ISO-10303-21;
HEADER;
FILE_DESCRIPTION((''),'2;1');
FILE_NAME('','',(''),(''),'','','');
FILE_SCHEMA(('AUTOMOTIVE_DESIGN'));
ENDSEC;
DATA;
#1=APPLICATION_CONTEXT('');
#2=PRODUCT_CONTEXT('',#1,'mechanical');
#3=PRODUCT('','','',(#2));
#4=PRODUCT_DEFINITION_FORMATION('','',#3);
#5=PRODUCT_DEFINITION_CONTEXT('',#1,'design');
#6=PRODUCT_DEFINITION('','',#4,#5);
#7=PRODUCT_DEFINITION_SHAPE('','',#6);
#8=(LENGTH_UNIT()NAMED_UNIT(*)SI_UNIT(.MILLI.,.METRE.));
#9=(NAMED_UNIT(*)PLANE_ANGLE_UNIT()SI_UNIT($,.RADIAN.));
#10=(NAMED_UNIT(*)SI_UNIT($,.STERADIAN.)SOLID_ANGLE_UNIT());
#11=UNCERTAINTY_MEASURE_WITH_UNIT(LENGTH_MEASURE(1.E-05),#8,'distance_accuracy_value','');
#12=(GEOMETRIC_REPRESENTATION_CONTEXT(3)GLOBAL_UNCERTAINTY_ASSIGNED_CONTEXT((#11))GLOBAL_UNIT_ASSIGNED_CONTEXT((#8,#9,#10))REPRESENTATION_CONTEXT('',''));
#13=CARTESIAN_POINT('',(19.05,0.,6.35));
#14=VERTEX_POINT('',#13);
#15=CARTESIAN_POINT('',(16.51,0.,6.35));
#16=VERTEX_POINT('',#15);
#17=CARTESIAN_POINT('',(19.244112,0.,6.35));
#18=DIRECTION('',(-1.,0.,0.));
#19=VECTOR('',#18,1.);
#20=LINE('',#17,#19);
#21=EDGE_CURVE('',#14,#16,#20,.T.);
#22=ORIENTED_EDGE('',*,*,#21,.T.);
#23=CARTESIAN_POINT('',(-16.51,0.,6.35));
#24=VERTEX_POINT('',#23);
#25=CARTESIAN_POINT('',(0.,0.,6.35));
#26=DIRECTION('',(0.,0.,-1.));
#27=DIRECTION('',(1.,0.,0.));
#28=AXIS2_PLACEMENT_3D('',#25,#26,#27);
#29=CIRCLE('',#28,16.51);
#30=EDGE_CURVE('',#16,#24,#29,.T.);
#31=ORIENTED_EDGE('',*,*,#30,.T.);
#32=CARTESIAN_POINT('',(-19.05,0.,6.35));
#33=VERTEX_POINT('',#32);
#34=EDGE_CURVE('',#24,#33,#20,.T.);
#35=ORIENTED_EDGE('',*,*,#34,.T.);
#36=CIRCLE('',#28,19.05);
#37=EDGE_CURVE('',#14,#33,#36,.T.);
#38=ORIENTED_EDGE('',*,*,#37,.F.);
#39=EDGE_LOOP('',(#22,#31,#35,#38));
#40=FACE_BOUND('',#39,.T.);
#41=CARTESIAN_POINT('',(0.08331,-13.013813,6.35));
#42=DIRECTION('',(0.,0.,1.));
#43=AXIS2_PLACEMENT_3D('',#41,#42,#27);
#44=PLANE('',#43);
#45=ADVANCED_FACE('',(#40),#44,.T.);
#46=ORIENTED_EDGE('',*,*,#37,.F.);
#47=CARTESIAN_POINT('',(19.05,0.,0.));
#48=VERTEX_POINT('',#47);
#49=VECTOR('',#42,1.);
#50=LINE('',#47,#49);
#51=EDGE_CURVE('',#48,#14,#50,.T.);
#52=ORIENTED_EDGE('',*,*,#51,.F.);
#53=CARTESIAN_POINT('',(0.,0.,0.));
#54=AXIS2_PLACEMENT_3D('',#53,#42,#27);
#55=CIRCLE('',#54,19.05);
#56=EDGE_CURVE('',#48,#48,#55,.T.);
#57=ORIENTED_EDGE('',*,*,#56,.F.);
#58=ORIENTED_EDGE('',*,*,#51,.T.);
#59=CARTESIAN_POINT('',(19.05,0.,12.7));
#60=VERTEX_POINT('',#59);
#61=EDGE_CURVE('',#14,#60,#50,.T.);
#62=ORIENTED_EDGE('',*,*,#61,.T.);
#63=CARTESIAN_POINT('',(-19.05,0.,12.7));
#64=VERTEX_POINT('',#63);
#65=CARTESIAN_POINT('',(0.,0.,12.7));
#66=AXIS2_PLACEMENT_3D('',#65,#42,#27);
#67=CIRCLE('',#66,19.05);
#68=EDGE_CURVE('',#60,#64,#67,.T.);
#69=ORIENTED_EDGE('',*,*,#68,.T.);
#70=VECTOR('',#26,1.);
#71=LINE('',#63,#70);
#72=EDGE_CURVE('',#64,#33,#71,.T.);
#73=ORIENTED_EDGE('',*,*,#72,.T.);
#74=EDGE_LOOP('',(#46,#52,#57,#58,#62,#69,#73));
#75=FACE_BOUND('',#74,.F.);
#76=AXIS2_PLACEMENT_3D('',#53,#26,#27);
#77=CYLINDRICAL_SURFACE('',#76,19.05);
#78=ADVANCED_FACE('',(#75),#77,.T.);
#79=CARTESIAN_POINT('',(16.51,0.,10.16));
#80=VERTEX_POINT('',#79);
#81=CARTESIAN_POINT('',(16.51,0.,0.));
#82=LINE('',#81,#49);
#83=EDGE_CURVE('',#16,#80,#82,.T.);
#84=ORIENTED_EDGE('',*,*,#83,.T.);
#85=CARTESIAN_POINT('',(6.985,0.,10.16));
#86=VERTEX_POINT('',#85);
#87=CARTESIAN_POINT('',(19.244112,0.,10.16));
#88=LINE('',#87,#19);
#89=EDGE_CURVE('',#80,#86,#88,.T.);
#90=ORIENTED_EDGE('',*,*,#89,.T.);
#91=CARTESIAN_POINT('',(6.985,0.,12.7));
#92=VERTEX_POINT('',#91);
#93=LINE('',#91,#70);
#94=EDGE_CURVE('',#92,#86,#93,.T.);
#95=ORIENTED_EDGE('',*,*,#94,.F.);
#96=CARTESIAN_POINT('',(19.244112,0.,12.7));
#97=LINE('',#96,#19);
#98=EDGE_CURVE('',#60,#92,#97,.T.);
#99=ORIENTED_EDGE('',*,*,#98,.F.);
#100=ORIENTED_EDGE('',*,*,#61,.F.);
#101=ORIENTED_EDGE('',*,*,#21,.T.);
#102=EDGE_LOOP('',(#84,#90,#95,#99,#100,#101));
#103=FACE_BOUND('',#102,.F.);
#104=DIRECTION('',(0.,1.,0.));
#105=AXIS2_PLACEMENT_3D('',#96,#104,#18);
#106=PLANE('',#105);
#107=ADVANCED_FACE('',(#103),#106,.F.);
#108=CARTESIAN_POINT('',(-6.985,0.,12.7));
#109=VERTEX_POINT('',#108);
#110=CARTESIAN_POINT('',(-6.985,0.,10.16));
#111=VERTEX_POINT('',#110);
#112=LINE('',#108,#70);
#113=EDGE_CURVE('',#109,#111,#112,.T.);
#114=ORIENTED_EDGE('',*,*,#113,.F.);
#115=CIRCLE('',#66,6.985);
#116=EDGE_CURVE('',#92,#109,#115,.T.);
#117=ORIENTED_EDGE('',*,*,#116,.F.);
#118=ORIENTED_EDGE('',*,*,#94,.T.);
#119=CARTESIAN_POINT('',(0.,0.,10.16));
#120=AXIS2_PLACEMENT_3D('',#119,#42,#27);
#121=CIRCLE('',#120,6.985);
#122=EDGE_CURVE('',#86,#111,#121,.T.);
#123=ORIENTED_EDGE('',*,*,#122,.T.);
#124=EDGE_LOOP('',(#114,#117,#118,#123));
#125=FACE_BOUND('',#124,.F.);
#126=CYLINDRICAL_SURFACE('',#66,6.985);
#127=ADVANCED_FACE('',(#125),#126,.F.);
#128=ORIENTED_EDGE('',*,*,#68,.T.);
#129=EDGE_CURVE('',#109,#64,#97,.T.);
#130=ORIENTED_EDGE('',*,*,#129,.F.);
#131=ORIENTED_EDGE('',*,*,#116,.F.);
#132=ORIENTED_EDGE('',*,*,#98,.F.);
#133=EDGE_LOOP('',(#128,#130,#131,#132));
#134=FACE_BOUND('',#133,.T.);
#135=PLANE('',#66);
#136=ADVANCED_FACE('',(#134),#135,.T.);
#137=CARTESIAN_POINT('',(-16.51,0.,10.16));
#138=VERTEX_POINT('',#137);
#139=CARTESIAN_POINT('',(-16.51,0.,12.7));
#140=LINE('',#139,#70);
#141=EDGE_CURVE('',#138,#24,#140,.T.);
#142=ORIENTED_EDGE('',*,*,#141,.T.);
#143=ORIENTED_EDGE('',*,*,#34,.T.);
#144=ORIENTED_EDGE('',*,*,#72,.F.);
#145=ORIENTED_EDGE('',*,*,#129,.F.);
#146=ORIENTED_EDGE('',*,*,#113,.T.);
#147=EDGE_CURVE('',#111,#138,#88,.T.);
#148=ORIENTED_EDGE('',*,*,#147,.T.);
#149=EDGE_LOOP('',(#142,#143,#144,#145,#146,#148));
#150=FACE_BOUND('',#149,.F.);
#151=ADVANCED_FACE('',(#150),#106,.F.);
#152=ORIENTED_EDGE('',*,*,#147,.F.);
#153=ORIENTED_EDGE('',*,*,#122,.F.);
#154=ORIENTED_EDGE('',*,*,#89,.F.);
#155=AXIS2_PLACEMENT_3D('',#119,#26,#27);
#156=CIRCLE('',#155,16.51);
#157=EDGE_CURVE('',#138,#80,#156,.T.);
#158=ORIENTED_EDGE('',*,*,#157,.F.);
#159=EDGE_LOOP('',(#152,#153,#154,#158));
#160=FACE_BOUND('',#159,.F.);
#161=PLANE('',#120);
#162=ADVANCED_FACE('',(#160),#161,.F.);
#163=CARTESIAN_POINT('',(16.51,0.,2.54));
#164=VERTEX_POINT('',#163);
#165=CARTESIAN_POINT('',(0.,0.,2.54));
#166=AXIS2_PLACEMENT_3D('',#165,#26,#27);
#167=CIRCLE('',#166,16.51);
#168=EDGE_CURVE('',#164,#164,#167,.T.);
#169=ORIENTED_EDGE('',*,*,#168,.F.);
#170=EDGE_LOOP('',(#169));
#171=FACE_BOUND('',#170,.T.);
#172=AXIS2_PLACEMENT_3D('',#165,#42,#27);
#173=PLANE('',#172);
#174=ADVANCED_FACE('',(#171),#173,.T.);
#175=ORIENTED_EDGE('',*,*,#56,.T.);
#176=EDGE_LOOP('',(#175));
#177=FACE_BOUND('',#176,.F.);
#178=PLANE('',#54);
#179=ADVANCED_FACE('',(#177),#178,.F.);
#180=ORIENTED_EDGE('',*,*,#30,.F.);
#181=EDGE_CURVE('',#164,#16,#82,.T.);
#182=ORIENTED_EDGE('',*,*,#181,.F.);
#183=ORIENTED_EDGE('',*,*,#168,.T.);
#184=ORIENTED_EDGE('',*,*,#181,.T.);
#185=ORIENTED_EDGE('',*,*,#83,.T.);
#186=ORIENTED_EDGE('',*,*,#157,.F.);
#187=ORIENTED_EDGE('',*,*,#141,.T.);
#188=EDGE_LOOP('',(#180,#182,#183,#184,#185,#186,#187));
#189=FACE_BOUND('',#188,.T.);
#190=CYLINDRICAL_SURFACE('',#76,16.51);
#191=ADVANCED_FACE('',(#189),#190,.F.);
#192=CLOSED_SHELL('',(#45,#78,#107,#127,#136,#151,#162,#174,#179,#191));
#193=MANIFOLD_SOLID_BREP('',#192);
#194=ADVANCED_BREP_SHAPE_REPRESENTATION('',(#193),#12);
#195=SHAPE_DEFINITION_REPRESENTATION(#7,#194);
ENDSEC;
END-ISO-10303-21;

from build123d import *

# Parameters (mm, degrees)
F0_R     = 19.05
F1_DEPTH = 12.7
F3_DEPTH = 6.35
F4_T     = -2.54
F6_DEPTH = 5.08


with BuildPart() as f1:
    # F0 (on Top) → F1 (new body)
    with BuildSketch(Plane.XY):
        Circle(F0_R)
    extrude(amount=F1_DEPTH)

    # F2 (on face) → F3 (cut)
    with BuildSketch(Plane.XY.offset(12.7)):
        with BuildLine():
            ThreePointArc((19.05, 0), (0, -19.05), (-19.05, 0))
            Line((-19.05, 0), (-19.05, -19.4337088615))
            Line((-19.05, -19.4337088615), (19.2441120744, -19.4337088615))
            Line((19.2441120744, -19.4337088615), (19.2441120744, 0))
            Line((19.2441120744, 0), (19.05, 0))
        make_face()
        with BuildLine():
            Line((19.05, 0), (-19.05, 0))
            ThreePointArc((-19.05, 0), (0, -19.05), (19.05, 0))
        make_face()
    extrude(amount=-F3_DEPTH, mode=Mode.SUBTRACT)

    # F4
    f4_openings = [f1.faces().sort_by_distance(p)[0] for p in [
        (0, 0, 9.525),
        (0, -8.085071, 6.35),
    ]]
    offset(amount=F4_T, openings=f4_openings)

    # F5 (on face) → F6 (cut)
    with BuildSketch(Plane.XY.offset(12.7)):
        with BuildLine():
            Line((-6.985, 0), (6.985, 0))
            ThreePointArc((6.985, 0), (0, 6.985), (-6.985, 0))
        make_face()
    extrude(amount=-F6_DEPTH, mode=Mode.SUBTRACT)


solid = f1.part
